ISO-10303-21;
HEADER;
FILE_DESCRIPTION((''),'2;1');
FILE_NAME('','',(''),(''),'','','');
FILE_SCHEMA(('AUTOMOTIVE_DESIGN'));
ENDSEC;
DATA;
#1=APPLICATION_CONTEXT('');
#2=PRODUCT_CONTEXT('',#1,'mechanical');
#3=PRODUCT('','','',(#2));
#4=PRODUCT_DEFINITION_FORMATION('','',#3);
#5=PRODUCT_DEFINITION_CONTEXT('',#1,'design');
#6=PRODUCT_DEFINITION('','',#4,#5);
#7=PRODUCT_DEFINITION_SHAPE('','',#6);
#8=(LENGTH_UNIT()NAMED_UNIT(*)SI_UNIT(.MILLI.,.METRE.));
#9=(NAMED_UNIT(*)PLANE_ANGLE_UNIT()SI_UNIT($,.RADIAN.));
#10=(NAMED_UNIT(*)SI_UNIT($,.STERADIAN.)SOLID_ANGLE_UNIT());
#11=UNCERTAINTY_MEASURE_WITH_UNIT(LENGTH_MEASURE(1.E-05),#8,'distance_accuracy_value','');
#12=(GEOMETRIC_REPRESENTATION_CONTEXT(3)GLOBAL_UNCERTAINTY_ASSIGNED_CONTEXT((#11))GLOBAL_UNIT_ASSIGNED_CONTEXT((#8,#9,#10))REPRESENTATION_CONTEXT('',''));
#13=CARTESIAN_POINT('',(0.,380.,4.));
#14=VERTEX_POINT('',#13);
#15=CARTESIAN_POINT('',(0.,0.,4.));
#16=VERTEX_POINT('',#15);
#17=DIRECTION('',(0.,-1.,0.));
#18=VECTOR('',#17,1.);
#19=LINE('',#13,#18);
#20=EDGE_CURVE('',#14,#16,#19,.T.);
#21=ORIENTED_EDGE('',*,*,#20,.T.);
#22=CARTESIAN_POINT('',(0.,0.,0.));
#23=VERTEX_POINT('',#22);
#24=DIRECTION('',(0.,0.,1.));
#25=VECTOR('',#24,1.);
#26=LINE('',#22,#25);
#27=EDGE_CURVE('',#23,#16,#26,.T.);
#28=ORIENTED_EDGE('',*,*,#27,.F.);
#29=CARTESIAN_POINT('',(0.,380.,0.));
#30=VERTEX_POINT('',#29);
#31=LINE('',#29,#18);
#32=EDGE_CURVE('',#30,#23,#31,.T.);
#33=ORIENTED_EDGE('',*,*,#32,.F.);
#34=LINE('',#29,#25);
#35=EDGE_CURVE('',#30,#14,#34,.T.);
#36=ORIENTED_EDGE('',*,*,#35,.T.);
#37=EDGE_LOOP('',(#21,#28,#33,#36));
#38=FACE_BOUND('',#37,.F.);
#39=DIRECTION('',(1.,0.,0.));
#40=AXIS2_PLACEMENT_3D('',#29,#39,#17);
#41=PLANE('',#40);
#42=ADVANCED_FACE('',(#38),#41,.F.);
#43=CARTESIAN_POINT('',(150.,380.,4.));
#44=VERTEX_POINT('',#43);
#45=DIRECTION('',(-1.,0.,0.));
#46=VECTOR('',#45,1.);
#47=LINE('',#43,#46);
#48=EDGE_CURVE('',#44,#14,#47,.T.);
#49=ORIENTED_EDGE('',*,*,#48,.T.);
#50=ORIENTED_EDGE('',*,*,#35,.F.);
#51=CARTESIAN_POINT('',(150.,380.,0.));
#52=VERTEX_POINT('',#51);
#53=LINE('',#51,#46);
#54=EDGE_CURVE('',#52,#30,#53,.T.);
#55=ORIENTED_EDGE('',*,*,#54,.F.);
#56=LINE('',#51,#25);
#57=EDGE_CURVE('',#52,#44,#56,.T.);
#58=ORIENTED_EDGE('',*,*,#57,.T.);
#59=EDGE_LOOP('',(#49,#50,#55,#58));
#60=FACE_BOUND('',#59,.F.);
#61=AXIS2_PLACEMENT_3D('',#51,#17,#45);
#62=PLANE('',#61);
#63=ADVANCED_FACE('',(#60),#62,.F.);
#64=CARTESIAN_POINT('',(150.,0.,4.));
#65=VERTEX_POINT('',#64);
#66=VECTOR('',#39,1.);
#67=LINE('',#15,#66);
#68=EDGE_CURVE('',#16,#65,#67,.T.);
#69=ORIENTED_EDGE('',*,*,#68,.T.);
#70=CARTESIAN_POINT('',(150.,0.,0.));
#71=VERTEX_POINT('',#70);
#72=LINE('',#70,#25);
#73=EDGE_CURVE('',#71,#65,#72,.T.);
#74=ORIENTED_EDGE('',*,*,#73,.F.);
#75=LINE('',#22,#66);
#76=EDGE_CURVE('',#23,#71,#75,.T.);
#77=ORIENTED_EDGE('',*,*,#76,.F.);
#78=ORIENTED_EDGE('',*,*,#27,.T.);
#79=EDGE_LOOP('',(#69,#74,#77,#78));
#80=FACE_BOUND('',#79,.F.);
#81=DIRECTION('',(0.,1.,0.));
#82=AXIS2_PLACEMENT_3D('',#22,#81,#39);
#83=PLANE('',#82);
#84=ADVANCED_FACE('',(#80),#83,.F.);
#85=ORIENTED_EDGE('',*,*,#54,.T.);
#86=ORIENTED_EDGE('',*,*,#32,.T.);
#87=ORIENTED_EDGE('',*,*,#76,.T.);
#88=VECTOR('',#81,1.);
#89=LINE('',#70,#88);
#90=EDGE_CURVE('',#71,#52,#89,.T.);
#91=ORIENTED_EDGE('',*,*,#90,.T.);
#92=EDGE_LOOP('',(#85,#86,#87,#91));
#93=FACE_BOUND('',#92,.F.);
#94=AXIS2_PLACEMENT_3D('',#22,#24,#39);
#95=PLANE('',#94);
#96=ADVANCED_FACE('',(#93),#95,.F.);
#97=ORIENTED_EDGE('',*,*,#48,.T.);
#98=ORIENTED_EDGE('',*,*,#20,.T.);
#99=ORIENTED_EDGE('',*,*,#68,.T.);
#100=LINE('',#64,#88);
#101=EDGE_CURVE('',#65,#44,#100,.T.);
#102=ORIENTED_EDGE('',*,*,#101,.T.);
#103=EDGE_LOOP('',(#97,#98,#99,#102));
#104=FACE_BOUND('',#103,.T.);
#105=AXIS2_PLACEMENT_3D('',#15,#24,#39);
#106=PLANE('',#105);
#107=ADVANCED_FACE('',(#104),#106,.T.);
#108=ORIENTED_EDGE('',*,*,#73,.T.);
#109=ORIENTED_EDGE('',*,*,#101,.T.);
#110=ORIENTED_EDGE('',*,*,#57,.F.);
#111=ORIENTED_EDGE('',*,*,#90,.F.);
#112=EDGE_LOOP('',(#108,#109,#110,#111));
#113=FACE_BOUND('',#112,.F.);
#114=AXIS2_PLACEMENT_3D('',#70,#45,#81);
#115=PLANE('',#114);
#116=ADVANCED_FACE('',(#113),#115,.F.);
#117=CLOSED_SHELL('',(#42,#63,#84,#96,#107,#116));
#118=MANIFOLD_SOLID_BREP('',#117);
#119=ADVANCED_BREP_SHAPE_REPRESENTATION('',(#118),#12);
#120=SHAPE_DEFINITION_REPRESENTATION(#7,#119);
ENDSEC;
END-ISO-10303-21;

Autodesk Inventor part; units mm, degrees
ref_plane "YZ Plane" through (0, 0, 0) normal (1, 0, 0) x (0, 1, 0)
ref_plane "XZ Plane" through (0, 0, 0) normal (0, 1, 0) x (-1, 0, 0)
ref_plane "XY Plane" through (0, 0, 0) normal (0, 0, 1) x (1, 0, 0)
sketch "Эскиз1" plane through (0, 0, 0) normal (0, 0, 1) x (1, 0, 0)
  line L0 (0, 0) -> (150, 0)
  line L1 (150, 0) -> (150, 380)
  line L2 (150, 380) -> (0, 380)
  line L3 (0, 380) -> (0, 0)
  dimension "d2" = 150
  dimension "d3" = 380
extrude "Выдавливание1" add sketch "Эскиз1" along normal blind 4
properties part number "стенка для сюрикена"
